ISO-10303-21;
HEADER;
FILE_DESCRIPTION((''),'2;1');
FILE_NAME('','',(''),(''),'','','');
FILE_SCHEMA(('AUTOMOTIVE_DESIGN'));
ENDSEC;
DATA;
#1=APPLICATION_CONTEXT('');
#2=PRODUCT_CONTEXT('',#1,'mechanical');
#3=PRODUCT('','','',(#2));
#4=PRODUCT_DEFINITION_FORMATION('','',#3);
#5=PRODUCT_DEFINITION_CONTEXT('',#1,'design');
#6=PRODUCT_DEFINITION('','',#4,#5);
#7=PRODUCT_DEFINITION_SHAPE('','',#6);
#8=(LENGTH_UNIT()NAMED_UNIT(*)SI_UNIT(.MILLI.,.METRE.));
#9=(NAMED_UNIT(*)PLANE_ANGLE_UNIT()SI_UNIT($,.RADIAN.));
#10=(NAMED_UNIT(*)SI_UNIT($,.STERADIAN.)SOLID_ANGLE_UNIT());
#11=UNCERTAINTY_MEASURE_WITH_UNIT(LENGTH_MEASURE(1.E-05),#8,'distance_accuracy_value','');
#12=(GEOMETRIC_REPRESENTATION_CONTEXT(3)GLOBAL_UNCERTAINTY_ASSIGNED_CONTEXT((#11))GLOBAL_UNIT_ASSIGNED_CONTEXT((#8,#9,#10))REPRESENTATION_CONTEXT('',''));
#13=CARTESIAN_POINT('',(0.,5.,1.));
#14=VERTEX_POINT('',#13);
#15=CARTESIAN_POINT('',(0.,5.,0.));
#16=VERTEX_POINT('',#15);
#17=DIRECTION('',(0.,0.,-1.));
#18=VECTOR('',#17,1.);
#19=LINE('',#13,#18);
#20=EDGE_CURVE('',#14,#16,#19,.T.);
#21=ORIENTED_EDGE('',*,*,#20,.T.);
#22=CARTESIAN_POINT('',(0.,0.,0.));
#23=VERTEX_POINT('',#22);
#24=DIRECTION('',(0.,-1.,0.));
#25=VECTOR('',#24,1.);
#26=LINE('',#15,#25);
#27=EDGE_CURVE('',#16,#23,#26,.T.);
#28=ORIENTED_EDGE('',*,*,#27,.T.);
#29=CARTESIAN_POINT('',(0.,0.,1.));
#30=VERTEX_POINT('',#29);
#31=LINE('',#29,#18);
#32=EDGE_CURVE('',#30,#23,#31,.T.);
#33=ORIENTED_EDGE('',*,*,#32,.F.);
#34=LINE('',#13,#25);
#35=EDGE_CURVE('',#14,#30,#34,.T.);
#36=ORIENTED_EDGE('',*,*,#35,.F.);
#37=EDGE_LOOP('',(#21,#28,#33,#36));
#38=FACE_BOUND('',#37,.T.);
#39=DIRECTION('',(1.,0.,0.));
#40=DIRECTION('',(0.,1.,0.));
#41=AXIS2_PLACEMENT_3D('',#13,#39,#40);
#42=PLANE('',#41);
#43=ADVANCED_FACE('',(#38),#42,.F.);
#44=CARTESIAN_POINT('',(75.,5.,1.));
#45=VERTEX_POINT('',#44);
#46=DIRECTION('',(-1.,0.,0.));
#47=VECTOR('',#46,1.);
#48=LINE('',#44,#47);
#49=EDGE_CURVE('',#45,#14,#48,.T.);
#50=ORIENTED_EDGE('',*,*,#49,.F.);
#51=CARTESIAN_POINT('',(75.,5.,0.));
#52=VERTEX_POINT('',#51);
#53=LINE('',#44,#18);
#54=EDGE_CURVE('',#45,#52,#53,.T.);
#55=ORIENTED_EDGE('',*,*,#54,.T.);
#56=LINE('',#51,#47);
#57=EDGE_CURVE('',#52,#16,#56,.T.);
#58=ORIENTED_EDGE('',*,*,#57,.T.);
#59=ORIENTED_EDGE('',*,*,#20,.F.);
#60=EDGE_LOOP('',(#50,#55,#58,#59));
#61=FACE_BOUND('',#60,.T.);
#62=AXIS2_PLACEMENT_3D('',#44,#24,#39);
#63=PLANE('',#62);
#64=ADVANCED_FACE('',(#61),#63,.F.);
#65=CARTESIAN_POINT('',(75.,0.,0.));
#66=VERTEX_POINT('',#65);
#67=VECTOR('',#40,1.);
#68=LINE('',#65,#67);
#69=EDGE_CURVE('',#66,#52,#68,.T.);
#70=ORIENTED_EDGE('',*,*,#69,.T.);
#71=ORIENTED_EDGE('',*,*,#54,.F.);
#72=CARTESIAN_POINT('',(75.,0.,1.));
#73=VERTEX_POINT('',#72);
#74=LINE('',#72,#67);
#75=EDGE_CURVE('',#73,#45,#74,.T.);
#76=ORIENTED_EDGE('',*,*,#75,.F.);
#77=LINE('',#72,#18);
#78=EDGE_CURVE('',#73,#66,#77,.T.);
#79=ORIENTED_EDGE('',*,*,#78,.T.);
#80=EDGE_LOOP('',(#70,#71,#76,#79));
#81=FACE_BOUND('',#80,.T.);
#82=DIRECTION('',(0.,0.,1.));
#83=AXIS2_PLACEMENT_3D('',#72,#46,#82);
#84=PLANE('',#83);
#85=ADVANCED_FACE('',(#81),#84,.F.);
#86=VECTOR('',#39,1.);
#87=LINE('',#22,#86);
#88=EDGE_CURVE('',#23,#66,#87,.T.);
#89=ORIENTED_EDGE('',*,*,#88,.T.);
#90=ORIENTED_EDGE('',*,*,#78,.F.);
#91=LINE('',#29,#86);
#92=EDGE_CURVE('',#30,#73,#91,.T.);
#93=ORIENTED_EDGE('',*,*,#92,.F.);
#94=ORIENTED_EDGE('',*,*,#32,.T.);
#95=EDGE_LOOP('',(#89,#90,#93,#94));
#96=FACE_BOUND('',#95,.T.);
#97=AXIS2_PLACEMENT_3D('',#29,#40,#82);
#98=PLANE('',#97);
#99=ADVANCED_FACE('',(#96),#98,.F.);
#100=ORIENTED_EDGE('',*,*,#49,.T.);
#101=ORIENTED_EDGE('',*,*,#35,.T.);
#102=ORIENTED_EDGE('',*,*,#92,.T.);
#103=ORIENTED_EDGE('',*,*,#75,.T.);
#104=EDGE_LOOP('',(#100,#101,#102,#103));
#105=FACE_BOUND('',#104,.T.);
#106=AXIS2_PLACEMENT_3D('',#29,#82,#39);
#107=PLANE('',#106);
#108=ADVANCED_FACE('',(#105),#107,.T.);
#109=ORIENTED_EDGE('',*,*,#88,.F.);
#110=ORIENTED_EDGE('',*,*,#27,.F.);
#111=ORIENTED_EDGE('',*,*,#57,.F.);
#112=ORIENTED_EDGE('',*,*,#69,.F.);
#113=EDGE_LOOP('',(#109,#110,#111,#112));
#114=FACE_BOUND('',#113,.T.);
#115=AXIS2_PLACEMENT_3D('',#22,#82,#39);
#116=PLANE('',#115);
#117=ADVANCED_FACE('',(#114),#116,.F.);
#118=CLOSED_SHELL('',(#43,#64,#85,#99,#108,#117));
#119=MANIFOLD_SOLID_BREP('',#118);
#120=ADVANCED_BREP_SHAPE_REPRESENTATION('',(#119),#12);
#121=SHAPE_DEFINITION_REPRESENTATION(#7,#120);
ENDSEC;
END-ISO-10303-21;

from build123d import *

# Parameters (mm, degrees)
SKETCH_1_W      = 75
SKETCH_1_H      = 5
EXTRUDE_1_DEPTH = 1


with BuildPart() as part:
    # 草图1 → 凸台-拉伸1 (new body)
    with BuildSketch(Plane.XY):
        with Locations((37.5, 2.5)):
            Rectangle(SKETCH_1_W, SKETCH_1_H)
    extrude(amount=EXTRUDE_1_DEPTH)


solid = part.part
